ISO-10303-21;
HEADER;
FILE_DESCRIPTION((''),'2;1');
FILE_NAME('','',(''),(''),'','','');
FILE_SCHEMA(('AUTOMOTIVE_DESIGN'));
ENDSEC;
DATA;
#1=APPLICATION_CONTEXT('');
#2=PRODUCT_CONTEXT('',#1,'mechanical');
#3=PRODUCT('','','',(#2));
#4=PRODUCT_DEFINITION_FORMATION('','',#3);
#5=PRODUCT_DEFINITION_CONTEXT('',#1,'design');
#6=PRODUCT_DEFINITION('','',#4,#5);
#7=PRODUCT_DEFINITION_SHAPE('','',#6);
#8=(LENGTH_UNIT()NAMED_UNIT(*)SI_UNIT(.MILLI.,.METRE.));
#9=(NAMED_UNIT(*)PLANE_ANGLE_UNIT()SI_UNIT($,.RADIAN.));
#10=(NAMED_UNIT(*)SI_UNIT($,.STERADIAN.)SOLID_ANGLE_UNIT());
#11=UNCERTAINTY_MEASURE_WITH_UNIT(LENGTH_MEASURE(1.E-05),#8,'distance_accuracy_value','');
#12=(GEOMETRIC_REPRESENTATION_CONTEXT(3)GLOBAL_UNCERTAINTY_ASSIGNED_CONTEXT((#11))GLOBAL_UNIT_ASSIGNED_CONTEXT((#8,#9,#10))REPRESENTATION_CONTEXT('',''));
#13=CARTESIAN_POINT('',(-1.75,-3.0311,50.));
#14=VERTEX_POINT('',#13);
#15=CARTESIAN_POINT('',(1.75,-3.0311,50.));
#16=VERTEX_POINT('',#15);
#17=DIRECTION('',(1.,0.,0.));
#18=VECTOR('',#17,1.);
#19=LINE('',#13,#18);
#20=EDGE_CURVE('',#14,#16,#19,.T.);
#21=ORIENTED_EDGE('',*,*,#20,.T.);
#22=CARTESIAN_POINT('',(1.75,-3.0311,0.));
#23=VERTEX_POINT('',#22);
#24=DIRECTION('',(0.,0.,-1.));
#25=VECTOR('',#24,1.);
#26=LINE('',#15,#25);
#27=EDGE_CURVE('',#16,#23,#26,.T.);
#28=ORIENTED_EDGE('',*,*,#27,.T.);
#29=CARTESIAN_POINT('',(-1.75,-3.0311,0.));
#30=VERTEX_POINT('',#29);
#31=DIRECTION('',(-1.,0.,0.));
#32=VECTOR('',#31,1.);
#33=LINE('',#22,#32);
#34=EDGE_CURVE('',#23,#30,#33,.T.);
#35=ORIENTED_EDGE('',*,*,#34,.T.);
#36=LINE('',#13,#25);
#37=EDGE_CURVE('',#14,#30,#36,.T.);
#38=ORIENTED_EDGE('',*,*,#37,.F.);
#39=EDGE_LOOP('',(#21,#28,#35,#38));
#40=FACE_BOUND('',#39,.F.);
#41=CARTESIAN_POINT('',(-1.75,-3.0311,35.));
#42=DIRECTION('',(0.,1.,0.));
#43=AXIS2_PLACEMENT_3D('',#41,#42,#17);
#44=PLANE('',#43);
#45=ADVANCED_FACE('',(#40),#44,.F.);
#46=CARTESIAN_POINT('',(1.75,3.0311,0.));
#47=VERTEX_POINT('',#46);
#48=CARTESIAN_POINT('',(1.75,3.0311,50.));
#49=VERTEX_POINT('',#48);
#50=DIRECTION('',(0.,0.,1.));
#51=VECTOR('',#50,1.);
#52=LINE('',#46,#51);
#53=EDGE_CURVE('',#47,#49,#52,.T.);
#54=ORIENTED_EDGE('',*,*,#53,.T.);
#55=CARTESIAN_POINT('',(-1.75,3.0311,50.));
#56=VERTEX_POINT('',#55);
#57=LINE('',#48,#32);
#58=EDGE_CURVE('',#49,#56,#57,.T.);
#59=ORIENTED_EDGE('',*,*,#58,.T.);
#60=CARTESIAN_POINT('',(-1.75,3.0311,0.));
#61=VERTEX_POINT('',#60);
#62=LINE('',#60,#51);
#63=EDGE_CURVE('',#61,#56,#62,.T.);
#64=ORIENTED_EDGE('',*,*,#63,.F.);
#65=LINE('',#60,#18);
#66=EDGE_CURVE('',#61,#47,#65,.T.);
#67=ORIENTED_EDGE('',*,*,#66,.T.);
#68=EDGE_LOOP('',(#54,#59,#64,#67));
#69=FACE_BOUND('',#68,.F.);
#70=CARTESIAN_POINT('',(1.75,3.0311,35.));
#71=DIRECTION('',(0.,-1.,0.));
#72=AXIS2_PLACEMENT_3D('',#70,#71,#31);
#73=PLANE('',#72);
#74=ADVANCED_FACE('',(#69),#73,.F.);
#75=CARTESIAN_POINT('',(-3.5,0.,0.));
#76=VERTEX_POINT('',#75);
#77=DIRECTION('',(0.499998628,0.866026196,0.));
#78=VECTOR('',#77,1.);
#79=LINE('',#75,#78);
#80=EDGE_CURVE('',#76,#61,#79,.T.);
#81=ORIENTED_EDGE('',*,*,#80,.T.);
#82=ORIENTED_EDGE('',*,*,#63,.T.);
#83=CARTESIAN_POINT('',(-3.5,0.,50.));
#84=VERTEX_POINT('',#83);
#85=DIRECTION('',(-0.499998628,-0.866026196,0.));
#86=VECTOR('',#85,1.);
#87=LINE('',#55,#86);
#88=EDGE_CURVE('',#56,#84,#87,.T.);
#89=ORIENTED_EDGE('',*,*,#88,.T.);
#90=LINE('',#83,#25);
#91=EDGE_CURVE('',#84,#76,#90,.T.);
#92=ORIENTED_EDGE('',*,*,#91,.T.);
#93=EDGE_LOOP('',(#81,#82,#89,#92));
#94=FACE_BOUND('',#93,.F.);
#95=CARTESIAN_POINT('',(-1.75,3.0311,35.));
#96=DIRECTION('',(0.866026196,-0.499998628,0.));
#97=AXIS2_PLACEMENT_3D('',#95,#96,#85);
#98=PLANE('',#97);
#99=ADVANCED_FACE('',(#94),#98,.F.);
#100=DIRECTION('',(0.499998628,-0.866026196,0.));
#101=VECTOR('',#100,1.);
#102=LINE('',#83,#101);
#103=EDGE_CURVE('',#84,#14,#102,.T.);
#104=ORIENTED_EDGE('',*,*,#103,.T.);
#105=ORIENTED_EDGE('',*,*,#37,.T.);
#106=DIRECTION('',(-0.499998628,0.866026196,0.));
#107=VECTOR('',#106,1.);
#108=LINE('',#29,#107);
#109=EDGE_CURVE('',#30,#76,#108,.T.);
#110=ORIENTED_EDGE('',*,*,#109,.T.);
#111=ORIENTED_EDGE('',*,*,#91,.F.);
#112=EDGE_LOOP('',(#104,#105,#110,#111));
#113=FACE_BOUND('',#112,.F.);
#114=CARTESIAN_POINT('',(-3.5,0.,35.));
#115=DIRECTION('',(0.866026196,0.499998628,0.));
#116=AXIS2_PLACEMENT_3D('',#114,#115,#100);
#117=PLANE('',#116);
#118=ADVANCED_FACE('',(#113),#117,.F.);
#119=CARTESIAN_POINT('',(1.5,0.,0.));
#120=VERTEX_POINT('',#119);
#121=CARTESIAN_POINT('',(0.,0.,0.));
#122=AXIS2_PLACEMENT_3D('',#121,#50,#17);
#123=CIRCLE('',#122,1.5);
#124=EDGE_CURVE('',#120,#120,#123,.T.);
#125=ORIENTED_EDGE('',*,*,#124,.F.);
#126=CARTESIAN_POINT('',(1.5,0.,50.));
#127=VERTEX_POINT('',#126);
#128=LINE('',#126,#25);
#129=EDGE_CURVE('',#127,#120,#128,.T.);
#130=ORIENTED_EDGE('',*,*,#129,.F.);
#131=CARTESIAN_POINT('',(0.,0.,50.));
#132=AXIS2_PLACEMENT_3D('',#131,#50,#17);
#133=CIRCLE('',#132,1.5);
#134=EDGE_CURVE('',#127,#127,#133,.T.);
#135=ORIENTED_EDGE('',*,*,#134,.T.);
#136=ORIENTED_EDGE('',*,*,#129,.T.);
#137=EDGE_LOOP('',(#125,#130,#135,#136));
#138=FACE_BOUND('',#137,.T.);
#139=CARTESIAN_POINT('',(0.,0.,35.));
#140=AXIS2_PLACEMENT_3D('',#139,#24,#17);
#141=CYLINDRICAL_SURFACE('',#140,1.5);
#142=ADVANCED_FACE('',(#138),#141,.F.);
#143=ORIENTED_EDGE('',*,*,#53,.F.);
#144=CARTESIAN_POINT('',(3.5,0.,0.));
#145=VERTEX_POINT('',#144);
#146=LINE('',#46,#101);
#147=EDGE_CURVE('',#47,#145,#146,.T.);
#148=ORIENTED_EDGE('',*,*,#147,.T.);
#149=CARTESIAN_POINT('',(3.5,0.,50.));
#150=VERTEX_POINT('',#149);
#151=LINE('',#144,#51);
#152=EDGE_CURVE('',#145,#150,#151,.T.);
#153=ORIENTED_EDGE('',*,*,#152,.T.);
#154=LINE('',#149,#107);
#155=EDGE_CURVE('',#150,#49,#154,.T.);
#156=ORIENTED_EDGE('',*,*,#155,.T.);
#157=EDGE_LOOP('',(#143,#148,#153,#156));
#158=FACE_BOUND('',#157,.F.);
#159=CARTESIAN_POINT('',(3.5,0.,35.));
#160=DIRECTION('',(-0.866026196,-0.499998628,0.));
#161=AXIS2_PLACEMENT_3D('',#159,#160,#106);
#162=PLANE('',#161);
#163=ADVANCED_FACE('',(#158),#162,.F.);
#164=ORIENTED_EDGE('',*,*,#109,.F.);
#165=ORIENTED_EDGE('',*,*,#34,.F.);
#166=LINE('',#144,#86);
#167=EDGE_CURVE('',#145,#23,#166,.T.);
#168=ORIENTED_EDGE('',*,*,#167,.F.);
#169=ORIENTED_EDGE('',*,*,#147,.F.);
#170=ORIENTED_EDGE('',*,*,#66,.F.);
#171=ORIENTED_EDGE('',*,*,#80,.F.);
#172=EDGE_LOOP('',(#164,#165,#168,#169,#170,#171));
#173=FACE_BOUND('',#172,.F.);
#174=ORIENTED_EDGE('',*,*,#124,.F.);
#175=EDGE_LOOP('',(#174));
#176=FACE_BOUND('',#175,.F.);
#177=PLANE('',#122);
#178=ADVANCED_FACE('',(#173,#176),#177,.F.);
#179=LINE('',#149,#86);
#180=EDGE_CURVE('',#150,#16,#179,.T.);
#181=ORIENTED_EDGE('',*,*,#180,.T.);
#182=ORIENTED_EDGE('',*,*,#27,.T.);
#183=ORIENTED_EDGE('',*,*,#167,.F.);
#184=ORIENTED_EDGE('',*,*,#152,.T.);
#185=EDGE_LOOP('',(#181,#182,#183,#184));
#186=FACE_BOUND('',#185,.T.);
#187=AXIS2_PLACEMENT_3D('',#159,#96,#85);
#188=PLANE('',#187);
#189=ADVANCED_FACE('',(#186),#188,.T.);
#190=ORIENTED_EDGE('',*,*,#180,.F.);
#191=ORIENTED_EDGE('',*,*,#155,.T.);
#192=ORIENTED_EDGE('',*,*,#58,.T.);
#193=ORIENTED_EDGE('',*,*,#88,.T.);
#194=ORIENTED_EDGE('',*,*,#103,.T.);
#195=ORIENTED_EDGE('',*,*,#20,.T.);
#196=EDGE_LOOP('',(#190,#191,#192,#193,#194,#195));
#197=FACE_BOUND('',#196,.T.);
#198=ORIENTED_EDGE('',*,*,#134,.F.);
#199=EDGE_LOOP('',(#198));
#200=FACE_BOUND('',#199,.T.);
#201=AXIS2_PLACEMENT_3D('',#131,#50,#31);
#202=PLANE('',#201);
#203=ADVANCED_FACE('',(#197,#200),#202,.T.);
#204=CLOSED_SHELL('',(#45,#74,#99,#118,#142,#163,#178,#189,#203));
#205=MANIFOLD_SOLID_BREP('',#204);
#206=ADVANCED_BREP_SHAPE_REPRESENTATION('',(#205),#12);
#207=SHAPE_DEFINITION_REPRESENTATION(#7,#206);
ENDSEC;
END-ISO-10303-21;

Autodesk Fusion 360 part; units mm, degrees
sketch "スケッチ1" plane through (0, 0, 0) normal (0, 0, 1) x (1, 0, 0)
  line L0 (3, 1.7321) -> (0, 3.4641)
  line L1 (0, 3.4641) -> (-3, 1.7321)
  line L2 (-3, 1.7321) -> (-3, -1.7321)
  line L3 (-3, -1.7321) -> (0, -3.4641)
  line L4 (0, -3.4641) -> (3, -1.7321)
  line L5 (3, -1.7321) -> (3, 1.7321)
  circle A0 centre (0, 0) radius 1.5
extrude "押し出し1" add sketch "スケッチ1" along normal blind 35
sketch "スケッチ2" plane through (0, 0, 35) normal (0, 0, 1) x (-1, 0, 0)
  circle A0 centre (0, 0) radius 1.5
  line L0 (-3, 1.7321) -> (-3, -1.7321)
  line L1 (-3, -1.7321) -> (0, -3.4641)
  line L2 (0, -3.4641) -> (3, -1.7321)
  line L3 (3, -1.7321) -> (3, 1.7321)
  line L4 (3, 1.7321) -> (0, 3.4641)
  line L5 (0, 3.4641) -> (-3, 1.7321)
  line L6 (-3.5, 0) -> (-1.75, -3.0311)
  line L7 (-1.75, -3.0311) -> (1.75, -3.0311)
  line L8 (1.75, -3.0311) -> (3.5, 0)
  line L9 (3.5, 0) -> (1.75, 3.0311)
  line L10 (1.75, 3.0311) -> (-1.75, 3.0311)
  line L11 (-1.75, 3.0311) -> (-3.5, 0)
extrude "押し出し2" add sketch "スケッチ2" along normal blind 4 contours L0 L1 L2 L3 L4 L5 L6 L7 L8 L9 L10 L11 | L0 L6 L11 | L5 L10 L11 | L1 L6 L7 | L4 L9 L10 | L2 L7 L8 | L3 L8 L9
extrude "押し出し3" cut 6 faces at (0, -3.1754, 35) (2.75, -1.5877, 35) (-2.75, -1.5877, 35) (-2.75, 1.5877, 35) (0, 3.1754, 35) (2.75, 1.5877, 35) along direction (0, 0, -1) blind 40
extrude "押し出し4" add 6 faces at (1.5833, 2.7424, 35) (3.1667, 0, 35) (-1.5833, 2.7424, 35) (1.5833, -2.7424, 35) (-1.5833, -2.7424, 35) (-3.1667, 0, 35) along direction (0, 0, -1) blind 35
extrude "押し出し5" cut 1 faces at (2.2005, 1.2273, 39) along direction (0, 0, -1) blind 4
extrude "押し出し6" add 1 faces at (0.0374, 2.5193, 35) along direction (0, 0, 1) blind 10
extrude "押し出し7" add 1 faces at (0.0374, 2.5193, 45) along direction (0, 0, 1) blind 40
extrude "押し出し8" cut 1 faces at (0.0374, 2.5193, 85) along direction (0, 0, -1) blind 50
extrude "押し出し9" add 1 faces at (0.0374, 2.5193, 35) along direction (0, 0, 1) blind 15
